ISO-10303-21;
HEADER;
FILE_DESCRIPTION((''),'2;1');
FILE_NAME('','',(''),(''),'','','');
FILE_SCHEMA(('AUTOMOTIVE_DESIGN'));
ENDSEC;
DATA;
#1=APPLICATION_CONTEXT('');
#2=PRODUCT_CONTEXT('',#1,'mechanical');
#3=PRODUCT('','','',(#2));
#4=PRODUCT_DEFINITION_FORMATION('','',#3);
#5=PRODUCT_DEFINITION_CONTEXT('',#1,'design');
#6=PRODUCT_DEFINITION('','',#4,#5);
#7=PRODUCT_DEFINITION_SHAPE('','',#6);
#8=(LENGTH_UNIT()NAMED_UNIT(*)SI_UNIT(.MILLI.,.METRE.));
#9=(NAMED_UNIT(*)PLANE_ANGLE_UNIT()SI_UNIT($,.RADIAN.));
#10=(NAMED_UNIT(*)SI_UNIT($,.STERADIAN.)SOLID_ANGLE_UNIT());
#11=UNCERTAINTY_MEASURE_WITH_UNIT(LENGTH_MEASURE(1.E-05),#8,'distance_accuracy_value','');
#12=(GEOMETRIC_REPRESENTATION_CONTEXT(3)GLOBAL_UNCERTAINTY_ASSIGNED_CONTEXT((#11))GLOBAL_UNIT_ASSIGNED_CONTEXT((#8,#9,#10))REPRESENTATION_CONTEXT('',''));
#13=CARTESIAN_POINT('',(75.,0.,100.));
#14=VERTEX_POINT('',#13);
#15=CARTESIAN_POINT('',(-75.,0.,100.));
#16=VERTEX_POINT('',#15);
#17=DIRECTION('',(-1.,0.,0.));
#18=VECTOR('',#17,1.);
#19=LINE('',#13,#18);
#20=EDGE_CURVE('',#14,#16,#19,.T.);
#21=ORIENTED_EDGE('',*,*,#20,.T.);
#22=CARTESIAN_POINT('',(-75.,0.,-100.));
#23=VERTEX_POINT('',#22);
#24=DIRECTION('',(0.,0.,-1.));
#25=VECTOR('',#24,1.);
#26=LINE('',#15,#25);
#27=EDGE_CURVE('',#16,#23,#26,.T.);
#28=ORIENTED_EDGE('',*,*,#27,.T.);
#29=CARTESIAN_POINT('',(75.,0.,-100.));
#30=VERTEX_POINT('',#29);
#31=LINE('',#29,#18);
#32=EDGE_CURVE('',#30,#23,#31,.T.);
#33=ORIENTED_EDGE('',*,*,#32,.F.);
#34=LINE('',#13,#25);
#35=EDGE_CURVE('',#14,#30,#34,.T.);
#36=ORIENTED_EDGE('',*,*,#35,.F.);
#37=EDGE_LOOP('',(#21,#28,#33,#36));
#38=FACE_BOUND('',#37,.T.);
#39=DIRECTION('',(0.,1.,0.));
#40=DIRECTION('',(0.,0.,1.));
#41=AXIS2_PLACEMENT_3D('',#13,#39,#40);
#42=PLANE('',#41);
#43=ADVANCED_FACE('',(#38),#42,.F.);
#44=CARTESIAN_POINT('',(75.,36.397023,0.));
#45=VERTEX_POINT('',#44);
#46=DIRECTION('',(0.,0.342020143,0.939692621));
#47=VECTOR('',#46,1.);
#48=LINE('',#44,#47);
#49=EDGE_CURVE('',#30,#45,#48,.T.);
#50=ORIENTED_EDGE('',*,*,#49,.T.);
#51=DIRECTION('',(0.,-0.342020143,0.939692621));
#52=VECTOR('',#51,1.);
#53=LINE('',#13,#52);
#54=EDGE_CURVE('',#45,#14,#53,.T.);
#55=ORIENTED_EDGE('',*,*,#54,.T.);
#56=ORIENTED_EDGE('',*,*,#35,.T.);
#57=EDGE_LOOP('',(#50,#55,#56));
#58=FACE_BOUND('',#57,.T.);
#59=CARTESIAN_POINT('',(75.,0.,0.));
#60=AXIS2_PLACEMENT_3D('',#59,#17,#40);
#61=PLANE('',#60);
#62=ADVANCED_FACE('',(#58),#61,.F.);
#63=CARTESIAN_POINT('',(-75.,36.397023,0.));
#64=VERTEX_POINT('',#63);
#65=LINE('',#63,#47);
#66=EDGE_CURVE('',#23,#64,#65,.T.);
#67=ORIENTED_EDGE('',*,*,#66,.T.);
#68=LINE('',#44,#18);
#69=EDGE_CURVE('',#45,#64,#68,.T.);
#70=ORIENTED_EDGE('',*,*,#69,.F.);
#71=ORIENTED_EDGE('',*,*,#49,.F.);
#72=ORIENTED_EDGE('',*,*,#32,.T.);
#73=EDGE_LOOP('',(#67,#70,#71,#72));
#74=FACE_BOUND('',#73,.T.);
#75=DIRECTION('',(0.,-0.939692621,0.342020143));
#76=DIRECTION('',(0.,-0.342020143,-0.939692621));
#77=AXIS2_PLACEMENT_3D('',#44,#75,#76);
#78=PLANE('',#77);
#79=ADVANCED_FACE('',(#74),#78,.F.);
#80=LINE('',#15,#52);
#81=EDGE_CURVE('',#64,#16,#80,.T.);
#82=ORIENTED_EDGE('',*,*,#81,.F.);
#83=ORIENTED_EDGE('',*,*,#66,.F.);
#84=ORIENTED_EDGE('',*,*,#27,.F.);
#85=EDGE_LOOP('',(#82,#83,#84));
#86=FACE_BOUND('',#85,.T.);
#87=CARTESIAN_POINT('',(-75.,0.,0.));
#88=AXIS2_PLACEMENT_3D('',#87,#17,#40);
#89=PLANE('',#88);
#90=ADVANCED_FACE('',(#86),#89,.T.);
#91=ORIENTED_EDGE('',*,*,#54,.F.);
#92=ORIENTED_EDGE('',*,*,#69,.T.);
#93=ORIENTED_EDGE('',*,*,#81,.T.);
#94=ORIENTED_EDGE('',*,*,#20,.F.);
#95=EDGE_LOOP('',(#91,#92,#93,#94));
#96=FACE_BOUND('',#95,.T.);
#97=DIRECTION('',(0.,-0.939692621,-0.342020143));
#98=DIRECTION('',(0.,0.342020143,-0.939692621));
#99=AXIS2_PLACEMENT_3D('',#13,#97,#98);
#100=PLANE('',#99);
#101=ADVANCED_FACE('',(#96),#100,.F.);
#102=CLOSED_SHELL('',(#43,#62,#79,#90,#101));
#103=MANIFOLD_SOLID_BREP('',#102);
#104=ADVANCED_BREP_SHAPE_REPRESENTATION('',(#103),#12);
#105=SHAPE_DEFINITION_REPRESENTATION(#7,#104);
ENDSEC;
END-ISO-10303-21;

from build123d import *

# Parameters (mm, degrees)
EXTRUDE_1_DEPTH = 75


with BuildPart() as part:
    # Эскиз1 → Бобышка-Вытянуть1 (new, symmetric)
    with BuildSketch(Plane(origin=(0, 0, 0), x_dir=(0, 0, -1), z_dir=(1, 0, 0))):
        Polygon((-100, 0), (100, 0), (0, 36.397023427), align=None)
    extrude(amount=EXTRUDE_1_DEPTH, both=True)


solid = part.part
